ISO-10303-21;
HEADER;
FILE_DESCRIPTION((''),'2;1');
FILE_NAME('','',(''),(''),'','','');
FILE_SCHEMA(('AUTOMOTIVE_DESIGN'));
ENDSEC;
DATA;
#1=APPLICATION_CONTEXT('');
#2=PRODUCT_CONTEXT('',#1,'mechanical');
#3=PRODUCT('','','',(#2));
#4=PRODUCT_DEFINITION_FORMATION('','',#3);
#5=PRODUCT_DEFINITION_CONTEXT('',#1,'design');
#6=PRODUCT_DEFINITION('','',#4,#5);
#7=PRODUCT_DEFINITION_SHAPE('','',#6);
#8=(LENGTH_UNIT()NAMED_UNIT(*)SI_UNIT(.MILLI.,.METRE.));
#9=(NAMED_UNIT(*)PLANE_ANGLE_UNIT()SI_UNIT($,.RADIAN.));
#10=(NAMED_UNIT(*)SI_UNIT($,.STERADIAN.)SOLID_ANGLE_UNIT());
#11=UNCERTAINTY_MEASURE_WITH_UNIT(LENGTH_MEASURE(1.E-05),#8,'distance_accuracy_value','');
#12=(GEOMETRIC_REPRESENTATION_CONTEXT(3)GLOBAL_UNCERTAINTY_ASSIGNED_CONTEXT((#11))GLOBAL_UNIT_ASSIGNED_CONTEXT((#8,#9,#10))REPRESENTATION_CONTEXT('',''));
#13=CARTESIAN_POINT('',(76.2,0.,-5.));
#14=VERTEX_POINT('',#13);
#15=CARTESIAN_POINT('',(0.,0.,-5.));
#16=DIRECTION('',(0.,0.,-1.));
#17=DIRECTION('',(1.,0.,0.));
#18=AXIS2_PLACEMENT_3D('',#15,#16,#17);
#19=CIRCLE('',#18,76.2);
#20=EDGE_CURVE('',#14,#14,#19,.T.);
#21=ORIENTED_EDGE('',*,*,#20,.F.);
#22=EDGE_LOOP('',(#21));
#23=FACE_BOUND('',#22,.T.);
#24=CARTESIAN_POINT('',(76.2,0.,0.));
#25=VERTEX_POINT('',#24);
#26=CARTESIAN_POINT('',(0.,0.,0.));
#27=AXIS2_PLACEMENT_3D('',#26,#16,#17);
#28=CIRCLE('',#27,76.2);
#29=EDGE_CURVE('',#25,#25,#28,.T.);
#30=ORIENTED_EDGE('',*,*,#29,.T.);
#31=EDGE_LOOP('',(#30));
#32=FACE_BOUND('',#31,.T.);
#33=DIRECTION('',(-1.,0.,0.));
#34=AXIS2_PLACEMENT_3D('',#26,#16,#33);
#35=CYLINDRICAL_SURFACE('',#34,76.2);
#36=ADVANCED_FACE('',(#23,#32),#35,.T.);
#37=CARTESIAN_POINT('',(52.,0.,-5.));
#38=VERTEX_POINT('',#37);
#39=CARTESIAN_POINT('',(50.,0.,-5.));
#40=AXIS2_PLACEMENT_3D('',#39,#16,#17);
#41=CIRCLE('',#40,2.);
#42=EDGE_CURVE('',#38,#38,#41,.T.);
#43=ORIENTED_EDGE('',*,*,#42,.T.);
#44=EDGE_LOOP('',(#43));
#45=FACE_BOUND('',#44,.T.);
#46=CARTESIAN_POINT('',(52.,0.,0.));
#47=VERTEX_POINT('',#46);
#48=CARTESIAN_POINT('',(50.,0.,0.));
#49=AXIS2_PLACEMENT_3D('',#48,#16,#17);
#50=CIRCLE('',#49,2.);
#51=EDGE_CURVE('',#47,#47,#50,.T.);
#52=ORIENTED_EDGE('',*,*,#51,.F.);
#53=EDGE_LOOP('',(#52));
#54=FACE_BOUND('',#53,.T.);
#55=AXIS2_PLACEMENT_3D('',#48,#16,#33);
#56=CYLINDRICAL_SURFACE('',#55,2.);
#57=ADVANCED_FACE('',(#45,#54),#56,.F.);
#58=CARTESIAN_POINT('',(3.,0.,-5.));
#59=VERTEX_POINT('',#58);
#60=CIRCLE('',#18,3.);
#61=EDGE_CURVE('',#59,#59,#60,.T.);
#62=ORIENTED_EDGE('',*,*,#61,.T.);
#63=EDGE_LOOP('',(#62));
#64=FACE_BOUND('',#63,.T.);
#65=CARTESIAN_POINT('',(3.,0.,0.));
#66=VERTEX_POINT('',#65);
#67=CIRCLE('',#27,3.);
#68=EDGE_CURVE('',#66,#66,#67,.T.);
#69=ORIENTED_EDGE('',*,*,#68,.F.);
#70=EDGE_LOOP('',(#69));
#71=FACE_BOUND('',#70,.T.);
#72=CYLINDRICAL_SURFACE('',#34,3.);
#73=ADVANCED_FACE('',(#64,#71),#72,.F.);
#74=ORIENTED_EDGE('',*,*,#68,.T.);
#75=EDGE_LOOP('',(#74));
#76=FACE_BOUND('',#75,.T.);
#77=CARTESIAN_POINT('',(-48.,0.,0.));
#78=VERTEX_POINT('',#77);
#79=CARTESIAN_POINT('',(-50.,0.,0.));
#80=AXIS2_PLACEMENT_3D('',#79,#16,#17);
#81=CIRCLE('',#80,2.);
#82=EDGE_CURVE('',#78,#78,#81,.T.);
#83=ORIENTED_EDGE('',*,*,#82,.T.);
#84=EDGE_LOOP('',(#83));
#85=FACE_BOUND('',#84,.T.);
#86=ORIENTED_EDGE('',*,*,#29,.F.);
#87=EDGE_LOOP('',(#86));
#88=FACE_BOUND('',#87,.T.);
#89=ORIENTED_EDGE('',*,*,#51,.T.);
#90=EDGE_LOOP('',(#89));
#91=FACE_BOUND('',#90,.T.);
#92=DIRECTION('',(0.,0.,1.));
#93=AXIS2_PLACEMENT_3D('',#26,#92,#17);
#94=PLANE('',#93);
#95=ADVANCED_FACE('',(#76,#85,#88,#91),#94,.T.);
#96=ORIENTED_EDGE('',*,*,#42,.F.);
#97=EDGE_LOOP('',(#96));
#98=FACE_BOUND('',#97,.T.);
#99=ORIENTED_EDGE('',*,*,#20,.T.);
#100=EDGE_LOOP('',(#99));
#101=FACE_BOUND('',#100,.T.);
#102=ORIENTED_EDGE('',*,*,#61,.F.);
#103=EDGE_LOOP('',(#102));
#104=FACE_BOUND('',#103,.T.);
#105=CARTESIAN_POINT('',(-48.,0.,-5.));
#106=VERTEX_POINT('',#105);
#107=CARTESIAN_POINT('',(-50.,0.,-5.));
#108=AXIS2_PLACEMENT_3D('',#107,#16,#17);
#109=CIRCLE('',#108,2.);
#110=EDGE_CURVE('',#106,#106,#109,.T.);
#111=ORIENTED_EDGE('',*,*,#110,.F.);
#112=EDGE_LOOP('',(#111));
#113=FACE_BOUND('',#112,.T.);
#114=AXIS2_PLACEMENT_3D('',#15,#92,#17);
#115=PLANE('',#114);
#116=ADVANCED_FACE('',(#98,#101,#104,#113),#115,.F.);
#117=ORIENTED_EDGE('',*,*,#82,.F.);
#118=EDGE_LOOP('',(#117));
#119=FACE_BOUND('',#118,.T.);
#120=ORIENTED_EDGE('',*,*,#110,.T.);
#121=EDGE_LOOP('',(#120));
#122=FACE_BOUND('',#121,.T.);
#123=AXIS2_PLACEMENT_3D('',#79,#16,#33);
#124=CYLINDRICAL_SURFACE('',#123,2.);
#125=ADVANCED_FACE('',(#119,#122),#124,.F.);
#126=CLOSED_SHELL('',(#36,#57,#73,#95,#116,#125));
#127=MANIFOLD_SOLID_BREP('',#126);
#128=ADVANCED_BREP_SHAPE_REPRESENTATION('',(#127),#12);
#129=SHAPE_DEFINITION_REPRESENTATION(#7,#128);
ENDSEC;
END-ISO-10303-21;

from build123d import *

# Parameters (mm, degrees)
SKETCH1_R           = 76.2
SKETCH1_R_2         = 2
SKETCH1_R_3         = 3
BOSS_EXTRUDE1_DEPTH = 5


with BuildPart() as part:
    # Sketch1 → Boss-Extrude1 (new body)
    with BuildSketch(Plane(origin=(0, 0, -5), x_dir=(-1, 0, 0), z_dir=(0, 0, -1))):
        with Locations(Location((0, 0, 0), (0, 0, 180))):
            Circle(SKETCH1_R)
        with Locations(Location((50, 0, 0), (0, 0, 180))):
            Circle(SKETCH1_R_2, mode=Mode.SUBTRACT)
        with Locations(Location((-50, 0, 0), (0, 0, 180))):
            Circle(SKETCH1_R_2, mode=Mode.SUBTRACT)
        with Locations(Location((0, 0, 0), (0, 0, 180))):
            Circle(SKETCH1_R_3, mode=Mode.SUBTRACT)
    extrude(amount=-BOSS_EXTRUDE1_DEPTH)


solid = part.part
